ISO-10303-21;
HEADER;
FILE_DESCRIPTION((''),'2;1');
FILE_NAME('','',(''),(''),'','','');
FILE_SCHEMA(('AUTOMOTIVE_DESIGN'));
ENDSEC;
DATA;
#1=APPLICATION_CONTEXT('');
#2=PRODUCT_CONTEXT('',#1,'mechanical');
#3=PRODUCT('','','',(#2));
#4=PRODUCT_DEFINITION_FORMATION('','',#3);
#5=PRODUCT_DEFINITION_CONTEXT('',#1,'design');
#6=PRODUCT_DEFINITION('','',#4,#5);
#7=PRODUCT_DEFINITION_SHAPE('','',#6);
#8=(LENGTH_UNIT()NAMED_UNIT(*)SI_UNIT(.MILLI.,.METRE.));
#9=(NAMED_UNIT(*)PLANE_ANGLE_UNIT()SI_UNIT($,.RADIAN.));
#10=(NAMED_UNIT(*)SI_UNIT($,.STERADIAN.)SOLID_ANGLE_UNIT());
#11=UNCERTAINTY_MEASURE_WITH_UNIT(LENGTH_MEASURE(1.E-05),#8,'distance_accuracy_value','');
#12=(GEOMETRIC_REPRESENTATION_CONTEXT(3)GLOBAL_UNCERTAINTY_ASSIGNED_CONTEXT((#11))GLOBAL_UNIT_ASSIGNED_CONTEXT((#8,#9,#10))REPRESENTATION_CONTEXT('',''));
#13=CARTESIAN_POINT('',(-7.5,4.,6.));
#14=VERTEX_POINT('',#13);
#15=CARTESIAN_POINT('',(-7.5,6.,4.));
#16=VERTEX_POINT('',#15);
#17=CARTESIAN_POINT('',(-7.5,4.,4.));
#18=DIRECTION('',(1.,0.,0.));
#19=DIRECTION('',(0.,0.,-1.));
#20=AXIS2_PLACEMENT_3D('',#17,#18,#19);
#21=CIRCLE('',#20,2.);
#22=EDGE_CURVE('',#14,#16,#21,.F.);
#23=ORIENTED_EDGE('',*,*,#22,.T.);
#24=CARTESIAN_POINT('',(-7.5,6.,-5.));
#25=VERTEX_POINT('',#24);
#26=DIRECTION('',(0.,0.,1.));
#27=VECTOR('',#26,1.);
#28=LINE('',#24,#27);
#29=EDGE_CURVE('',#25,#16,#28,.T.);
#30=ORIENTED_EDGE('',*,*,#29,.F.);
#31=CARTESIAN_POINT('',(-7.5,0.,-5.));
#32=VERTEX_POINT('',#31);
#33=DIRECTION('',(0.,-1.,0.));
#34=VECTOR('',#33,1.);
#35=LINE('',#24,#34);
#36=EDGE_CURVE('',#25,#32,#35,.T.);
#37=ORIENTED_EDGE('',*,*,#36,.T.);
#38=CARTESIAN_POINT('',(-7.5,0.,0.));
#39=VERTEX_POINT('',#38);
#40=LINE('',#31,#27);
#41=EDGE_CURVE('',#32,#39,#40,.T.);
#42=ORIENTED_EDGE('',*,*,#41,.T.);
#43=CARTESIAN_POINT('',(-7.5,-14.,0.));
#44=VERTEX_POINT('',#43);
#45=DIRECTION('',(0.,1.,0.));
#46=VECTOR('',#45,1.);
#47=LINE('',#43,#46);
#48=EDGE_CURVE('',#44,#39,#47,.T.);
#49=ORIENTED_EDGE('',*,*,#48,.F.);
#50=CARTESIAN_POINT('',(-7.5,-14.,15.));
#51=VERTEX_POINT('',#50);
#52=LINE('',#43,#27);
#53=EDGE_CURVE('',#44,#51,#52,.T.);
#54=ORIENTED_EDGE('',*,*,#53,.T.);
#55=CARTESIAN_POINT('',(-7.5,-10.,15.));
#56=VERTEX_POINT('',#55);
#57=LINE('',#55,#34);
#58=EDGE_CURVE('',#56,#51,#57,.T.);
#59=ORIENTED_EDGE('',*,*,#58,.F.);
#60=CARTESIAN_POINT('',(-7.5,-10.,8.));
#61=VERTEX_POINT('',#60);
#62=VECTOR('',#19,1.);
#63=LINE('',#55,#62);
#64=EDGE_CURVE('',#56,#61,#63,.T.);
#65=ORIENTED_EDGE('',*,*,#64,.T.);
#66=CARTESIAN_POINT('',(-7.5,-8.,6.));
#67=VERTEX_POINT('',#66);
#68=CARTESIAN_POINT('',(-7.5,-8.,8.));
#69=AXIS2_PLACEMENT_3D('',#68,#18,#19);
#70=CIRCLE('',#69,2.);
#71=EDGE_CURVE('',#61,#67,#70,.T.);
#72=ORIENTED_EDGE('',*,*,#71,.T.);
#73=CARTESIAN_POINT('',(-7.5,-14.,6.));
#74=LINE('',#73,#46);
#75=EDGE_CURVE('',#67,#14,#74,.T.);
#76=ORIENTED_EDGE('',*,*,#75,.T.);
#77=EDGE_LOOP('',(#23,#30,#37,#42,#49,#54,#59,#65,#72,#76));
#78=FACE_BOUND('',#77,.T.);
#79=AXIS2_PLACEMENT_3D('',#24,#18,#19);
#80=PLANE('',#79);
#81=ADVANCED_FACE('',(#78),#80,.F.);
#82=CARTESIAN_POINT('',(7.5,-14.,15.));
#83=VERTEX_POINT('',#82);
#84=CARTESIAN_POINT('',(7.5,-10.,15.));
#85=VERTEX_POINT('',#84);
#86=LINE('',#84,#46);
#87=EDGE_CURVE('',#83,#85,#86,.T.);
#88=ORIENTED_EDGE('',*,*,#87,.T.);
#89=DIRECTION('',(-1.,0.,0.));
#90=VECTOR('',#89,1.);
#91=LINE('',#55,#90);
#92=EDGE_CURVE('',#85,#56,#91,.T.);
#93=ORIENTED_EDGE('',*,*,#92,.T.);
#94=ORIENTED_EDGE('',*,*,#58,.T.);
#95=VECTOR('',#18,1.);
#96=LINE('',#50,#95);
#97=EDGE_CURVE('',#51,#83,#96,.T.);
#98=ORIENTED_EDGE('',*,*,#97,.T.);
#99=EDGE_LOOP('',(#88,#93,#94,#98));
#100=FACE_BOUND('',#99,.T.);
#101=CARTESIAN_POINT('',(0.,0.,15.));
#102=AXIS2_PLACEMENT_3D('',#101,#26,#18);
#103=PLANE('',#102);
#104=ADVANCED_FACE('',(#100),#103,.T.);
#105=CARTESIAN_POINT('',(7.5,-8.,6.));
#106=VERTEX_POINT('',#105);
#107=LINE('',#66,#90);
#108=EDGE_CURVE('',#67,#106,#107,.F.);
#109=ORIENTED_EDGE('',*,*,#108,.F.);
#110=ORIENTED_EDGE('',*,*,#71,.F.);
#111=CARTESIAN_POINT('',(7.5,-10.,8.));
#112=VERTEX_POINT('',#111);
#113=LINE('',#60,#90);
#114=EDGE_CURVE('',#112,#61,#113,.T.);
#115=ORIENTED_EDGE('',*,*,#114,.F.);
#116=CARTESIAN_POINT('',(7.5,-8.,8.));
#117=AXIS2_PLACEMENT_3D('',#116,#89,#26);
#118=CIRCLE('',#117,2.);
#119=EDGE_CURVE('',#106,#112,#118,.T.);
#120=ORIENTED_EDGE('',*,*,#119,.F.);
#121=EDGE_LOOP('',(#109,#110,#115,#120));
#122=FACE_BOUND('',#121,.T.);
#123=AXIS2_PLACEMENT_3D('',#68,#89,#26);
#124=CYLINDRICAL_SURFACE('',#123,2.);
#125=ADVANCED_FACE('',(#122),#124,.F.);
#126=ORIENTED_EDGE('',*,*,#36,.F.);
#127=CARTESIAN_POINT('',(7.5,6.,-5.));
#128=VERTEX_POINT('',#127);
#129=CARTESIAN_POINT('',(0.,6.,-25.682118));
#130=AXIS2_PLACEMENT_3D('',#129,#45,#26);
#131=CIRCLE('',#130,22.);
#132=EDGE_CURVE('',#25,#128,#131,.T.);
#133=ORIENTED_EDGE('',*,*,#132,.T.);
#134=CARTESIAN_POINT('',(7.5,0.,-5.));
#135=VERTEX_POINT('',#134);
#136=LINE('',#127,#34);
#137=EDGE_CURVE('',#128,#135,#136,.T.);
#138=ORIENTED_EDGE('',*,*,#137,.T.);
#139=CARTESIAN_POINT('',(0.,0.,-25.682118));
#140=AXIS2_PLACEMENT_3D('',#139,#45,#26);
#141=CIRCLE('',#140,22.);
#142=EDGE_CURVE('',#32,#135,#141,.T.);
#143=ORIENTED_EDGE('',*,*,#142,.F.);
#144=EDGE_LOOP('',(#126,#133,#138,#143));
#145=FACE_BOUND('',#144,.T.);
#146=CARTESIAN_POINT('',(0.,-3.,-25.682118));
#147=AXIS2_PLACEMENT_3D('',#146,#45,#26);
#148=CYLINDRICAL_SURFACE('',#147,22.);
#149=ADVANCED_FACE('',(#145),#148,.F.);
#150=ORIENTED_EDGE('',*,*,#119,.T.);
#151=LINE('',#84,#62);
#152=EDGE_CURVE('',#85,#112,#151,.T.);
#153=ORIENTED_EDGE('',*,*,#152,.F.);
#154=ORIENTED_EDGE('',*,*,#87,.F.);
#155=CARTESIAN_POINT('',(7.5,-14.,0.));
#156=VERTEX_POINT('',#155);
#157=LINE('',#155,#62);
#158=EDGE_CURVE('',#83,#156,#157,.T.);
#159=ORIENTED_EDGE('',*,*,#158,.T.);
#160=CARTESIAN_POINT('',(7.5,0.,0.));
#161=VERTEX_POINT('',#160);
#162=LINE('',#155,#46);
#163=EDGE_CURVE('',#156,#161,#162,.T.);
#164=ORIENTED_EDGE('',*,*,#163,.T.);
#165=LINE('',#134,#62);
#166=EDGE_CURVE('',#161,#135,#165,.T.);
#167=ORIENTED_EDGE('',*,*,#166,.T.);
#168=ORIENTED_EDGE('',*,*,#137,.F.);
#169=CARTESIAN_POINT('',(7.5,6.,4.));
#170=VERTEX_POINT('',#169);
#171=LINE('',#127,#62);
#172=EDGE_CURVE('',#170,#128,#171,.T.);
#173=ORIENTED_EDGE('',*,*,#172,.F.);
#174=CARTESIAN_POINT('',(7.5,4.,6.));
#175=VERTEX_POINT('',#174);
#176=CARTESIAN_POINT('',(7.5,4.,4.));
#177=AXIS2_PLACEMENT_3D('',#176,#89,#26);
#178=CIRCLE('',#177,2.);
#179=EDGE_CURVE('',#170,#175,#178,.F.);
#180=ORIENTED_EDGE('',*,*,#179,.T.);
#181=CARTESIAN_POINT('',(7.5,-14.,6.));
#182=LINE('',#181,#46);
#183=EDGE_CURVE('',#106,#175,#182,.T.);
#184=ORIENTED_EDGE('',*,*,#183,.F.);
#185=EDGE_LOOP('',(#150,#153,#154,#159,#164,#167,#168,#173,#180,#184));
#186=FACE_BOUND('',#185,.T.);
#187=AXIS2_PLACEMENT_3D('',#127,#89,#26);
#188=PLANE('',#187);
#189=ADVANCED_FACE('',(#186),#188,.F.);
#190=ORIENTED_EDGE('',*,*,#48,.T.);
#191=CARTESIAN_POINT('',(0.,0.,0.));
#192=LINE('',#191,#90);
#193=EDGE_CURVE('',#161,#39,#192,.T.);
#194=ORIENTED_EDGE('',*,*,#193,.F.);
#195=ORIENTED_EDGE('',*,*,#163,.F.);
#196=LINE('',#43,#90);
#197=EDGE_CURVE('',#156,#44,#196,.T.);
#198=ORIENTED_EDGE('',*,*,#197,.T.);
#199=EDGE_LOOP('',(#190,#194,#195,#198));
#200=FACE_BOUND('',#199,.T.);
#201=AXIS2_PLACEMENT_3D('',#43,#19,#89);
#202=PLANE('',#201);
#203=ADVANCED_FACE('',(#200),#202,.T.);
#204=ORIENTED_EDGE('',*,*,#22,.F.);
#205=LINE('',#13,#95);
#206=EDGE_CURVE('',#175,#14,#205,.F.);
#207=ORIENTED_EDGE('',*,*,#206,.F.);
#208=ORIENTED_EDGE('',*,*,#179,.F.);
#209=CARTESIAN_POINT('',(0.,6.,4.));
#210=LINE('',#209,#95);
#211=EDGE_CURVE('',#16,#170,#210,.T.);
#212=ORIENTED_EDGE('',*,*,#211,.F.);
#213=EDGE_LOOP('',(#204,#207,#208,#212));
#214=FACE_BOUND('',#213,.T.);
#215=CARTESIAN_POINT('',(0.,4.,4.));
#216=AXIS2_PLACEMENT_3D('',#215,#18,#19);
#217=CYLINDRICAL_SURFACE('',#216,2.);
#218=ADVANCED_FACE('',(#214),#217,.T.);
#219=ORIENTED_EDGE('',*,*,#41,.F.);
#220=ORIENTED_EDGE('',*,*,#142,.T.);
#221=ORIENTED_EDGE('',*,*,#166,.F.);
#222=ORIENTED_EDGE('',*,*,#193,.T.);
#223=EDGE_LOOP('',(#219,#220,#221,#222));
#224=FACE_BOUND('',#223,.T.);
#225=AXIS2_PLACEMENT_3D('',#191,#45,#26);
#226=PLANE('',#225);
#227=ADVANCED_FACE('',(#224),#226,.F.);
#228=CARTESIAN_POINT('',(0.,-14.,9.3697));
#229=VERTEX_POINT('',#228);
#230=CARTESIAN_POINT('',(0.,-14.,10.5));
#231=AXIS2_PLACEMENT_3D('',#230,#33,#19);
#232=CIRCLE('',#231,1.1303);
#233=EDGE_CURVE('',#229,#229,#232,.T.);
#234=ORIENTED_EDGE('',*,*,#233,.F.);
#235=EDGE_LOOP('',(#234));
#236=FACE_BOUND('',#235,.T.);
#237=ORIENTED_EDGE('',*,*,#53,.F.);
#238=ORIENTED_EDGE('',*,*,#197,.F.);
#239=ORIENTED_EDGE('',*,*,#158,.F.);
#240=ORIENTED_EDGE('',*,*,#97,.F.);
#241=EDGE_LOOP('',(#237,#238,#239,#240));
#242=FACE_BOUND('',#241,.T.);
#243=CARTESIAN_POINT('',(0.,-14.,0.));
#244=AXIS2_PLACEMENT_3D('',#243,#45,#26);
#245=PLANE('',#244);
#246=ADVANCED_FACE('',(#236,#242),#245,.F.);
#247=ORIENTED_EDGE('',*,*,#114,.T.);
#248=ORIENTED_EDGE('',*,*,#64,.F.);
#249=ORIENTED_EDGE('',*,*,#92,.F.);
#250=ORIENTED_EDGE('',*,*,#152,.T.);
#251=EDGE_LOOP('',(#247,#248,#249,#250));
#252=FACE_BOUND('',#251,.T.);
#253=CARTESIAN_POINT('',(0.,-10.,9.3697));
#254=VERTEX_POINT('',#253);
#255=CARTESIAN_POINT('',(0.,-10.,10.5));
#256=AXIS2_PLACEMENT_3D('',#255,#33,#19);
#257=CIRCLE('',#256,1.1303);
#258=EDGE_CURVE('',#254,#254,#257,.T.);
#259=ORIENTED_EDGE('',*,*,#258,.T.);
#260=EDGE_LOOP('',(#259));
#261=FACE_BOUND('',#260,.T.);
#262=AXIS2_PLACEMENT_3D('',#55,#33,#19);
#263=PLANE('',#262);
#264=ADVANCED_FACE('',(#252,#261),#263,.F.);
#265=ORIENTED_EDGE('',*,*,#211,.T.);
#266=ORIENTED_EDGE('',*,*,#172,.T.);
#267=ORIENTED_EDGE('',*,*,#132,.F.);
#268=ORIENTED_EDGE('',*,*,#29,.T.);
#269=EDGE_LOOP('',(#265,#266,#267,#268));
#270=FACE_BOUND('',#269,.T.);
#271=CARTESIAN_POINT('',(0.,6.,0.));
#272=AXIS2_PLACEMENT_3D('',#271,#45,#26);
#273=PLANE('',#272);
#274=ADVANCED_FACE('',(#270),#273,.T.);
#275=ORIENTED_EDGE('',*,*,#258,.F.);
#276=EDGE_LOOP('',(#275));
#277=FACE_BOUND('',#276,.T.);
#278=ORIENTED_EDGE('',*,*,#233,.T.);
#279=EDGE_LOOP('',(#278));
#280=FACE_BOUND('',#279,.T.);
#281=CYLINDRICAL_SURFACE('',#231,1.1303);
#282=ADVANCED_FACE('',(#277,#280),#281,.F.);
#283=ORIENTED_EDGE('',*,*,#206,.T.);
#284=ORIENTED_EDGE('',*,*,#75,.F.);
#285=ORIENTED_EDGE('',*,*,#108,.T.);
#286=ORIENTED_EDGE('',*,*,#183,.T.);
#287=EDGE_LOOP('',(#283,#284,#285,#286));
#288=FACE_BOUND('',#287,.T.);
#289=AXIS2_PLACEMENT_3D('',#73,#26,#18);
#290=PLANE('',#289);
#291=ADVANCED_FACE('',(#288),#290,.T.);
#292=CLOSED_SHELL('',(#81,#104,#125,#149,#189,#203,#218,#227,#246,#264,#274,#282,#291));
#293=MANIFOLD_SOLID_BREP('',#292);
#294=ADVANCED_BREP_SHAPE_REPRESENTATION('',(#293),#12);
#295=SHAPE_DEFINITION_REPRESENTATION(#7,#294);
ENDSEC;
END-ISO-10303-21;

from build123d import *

# Parameters (mm, degrees)
SKETCH1_W                 = 15
SKETCH1_H                 = 10
BOSS_EXTRUDE1_DEPTH       = 6
SKETCH2_R                 = 22
CUT_EXTRUDE1_DEPTH        = 9
SKETCH3_W                 = 15
SKETCH3_H                 = 6
BOSS_EXTRUDE2_DEPTH       = 20
SKETCH4_W                 = 15
SKETCH4_H                 = 4
BOSS_EXTRUDE3_DEPTH       = 9
F_4_40_TAPPED_HOLE2_D     = 2.2606
F_4_40_TAPPED_HOLE2_DEPTH = 7.6
F_4_40_TAPPED_HOLE2_TIP   = 0.679152758
FILLET2_R                 = 2


with BuildPart() as part:
    # Sketch1 → Boss-Extrude1 (new body)
    with BuildSketch(Plane(origin=(0, 0, 0), x_dir=(1, 0, 0), z_dir=(0, 1, 0))):
        Rectangle(SKETCH1_W, SKETCH1_H)
    extrude(amount=BOSS_EXTRUDE1_DEPTH)

    # Sketch2 → Cut-Extrude1 (cut)
    with BuildSketch(Plane(origin=(0, 6, 0), x_dir=(1, 0, 0), z_dir=(0, 1, 0))):
        with Locations((0, 25.68211788)):
            Circle(SKETCH2_R)
    extrude(amount=-CUT_EXTRUDE1_DEPTH, mode=Mode.SUBTRACT)

    # Sketch3 → Boss-Extrude2 (add)
    with BuildSketch(Plane(origin=(0, 6, 0), x_dir=(1, 0, 0), z_dir=(0, 1, 0))):
        with Locations((0, -3)):
            Rectangle(SKETCH3_W, SKETCH3_H)
    extrude(amount=-BOSS_EXTRUDE2_DEPTH)

    # Sketch4 → Boss-Extrude3 (add)
    with BuildSketch(Plane.XY.offset(6)):
        with Locations((0, -12)):
            Rectangle(SKETCH4_W, SKETCH4_H)
    extrude(amount=BOSS_EXTRUDE3_DEPTH)

    # #4-40 Tapped Hole2
    with Locations(Plane(origin=(0, -14, 0), x_dir=(-1, 0, 0), z_dir=(0, -1, 0))):
        with Locations((0, -10.5)):
            Hole(F_4_40_TAPPED_HOLE2_D / 2, depth=F_4_40_TAPPED_HOLE2_DEPTH)
            with Locations((0, 0, -(F_4_40_TAPPED_HOLE2_DEPTH + F_4_40_TAPPED_HOLE2_TIP / 2))):  # 118° drill point
                Cone(0, F_4_40_TAPPED_HOLE2_D / 2, F_4_40_TAPPED_HOLE2_TIP, mode=Mode.SUBTRACT)

    # Fillet2
    fillet2_edges = [part.edges().sort_by_distance(p)[0] for p in [
        (0, 6, 6),
        (0, -10, 6),
    ]]
    fillet(fillet2_edges, radius=FILLET2_R)


solid = part.part
